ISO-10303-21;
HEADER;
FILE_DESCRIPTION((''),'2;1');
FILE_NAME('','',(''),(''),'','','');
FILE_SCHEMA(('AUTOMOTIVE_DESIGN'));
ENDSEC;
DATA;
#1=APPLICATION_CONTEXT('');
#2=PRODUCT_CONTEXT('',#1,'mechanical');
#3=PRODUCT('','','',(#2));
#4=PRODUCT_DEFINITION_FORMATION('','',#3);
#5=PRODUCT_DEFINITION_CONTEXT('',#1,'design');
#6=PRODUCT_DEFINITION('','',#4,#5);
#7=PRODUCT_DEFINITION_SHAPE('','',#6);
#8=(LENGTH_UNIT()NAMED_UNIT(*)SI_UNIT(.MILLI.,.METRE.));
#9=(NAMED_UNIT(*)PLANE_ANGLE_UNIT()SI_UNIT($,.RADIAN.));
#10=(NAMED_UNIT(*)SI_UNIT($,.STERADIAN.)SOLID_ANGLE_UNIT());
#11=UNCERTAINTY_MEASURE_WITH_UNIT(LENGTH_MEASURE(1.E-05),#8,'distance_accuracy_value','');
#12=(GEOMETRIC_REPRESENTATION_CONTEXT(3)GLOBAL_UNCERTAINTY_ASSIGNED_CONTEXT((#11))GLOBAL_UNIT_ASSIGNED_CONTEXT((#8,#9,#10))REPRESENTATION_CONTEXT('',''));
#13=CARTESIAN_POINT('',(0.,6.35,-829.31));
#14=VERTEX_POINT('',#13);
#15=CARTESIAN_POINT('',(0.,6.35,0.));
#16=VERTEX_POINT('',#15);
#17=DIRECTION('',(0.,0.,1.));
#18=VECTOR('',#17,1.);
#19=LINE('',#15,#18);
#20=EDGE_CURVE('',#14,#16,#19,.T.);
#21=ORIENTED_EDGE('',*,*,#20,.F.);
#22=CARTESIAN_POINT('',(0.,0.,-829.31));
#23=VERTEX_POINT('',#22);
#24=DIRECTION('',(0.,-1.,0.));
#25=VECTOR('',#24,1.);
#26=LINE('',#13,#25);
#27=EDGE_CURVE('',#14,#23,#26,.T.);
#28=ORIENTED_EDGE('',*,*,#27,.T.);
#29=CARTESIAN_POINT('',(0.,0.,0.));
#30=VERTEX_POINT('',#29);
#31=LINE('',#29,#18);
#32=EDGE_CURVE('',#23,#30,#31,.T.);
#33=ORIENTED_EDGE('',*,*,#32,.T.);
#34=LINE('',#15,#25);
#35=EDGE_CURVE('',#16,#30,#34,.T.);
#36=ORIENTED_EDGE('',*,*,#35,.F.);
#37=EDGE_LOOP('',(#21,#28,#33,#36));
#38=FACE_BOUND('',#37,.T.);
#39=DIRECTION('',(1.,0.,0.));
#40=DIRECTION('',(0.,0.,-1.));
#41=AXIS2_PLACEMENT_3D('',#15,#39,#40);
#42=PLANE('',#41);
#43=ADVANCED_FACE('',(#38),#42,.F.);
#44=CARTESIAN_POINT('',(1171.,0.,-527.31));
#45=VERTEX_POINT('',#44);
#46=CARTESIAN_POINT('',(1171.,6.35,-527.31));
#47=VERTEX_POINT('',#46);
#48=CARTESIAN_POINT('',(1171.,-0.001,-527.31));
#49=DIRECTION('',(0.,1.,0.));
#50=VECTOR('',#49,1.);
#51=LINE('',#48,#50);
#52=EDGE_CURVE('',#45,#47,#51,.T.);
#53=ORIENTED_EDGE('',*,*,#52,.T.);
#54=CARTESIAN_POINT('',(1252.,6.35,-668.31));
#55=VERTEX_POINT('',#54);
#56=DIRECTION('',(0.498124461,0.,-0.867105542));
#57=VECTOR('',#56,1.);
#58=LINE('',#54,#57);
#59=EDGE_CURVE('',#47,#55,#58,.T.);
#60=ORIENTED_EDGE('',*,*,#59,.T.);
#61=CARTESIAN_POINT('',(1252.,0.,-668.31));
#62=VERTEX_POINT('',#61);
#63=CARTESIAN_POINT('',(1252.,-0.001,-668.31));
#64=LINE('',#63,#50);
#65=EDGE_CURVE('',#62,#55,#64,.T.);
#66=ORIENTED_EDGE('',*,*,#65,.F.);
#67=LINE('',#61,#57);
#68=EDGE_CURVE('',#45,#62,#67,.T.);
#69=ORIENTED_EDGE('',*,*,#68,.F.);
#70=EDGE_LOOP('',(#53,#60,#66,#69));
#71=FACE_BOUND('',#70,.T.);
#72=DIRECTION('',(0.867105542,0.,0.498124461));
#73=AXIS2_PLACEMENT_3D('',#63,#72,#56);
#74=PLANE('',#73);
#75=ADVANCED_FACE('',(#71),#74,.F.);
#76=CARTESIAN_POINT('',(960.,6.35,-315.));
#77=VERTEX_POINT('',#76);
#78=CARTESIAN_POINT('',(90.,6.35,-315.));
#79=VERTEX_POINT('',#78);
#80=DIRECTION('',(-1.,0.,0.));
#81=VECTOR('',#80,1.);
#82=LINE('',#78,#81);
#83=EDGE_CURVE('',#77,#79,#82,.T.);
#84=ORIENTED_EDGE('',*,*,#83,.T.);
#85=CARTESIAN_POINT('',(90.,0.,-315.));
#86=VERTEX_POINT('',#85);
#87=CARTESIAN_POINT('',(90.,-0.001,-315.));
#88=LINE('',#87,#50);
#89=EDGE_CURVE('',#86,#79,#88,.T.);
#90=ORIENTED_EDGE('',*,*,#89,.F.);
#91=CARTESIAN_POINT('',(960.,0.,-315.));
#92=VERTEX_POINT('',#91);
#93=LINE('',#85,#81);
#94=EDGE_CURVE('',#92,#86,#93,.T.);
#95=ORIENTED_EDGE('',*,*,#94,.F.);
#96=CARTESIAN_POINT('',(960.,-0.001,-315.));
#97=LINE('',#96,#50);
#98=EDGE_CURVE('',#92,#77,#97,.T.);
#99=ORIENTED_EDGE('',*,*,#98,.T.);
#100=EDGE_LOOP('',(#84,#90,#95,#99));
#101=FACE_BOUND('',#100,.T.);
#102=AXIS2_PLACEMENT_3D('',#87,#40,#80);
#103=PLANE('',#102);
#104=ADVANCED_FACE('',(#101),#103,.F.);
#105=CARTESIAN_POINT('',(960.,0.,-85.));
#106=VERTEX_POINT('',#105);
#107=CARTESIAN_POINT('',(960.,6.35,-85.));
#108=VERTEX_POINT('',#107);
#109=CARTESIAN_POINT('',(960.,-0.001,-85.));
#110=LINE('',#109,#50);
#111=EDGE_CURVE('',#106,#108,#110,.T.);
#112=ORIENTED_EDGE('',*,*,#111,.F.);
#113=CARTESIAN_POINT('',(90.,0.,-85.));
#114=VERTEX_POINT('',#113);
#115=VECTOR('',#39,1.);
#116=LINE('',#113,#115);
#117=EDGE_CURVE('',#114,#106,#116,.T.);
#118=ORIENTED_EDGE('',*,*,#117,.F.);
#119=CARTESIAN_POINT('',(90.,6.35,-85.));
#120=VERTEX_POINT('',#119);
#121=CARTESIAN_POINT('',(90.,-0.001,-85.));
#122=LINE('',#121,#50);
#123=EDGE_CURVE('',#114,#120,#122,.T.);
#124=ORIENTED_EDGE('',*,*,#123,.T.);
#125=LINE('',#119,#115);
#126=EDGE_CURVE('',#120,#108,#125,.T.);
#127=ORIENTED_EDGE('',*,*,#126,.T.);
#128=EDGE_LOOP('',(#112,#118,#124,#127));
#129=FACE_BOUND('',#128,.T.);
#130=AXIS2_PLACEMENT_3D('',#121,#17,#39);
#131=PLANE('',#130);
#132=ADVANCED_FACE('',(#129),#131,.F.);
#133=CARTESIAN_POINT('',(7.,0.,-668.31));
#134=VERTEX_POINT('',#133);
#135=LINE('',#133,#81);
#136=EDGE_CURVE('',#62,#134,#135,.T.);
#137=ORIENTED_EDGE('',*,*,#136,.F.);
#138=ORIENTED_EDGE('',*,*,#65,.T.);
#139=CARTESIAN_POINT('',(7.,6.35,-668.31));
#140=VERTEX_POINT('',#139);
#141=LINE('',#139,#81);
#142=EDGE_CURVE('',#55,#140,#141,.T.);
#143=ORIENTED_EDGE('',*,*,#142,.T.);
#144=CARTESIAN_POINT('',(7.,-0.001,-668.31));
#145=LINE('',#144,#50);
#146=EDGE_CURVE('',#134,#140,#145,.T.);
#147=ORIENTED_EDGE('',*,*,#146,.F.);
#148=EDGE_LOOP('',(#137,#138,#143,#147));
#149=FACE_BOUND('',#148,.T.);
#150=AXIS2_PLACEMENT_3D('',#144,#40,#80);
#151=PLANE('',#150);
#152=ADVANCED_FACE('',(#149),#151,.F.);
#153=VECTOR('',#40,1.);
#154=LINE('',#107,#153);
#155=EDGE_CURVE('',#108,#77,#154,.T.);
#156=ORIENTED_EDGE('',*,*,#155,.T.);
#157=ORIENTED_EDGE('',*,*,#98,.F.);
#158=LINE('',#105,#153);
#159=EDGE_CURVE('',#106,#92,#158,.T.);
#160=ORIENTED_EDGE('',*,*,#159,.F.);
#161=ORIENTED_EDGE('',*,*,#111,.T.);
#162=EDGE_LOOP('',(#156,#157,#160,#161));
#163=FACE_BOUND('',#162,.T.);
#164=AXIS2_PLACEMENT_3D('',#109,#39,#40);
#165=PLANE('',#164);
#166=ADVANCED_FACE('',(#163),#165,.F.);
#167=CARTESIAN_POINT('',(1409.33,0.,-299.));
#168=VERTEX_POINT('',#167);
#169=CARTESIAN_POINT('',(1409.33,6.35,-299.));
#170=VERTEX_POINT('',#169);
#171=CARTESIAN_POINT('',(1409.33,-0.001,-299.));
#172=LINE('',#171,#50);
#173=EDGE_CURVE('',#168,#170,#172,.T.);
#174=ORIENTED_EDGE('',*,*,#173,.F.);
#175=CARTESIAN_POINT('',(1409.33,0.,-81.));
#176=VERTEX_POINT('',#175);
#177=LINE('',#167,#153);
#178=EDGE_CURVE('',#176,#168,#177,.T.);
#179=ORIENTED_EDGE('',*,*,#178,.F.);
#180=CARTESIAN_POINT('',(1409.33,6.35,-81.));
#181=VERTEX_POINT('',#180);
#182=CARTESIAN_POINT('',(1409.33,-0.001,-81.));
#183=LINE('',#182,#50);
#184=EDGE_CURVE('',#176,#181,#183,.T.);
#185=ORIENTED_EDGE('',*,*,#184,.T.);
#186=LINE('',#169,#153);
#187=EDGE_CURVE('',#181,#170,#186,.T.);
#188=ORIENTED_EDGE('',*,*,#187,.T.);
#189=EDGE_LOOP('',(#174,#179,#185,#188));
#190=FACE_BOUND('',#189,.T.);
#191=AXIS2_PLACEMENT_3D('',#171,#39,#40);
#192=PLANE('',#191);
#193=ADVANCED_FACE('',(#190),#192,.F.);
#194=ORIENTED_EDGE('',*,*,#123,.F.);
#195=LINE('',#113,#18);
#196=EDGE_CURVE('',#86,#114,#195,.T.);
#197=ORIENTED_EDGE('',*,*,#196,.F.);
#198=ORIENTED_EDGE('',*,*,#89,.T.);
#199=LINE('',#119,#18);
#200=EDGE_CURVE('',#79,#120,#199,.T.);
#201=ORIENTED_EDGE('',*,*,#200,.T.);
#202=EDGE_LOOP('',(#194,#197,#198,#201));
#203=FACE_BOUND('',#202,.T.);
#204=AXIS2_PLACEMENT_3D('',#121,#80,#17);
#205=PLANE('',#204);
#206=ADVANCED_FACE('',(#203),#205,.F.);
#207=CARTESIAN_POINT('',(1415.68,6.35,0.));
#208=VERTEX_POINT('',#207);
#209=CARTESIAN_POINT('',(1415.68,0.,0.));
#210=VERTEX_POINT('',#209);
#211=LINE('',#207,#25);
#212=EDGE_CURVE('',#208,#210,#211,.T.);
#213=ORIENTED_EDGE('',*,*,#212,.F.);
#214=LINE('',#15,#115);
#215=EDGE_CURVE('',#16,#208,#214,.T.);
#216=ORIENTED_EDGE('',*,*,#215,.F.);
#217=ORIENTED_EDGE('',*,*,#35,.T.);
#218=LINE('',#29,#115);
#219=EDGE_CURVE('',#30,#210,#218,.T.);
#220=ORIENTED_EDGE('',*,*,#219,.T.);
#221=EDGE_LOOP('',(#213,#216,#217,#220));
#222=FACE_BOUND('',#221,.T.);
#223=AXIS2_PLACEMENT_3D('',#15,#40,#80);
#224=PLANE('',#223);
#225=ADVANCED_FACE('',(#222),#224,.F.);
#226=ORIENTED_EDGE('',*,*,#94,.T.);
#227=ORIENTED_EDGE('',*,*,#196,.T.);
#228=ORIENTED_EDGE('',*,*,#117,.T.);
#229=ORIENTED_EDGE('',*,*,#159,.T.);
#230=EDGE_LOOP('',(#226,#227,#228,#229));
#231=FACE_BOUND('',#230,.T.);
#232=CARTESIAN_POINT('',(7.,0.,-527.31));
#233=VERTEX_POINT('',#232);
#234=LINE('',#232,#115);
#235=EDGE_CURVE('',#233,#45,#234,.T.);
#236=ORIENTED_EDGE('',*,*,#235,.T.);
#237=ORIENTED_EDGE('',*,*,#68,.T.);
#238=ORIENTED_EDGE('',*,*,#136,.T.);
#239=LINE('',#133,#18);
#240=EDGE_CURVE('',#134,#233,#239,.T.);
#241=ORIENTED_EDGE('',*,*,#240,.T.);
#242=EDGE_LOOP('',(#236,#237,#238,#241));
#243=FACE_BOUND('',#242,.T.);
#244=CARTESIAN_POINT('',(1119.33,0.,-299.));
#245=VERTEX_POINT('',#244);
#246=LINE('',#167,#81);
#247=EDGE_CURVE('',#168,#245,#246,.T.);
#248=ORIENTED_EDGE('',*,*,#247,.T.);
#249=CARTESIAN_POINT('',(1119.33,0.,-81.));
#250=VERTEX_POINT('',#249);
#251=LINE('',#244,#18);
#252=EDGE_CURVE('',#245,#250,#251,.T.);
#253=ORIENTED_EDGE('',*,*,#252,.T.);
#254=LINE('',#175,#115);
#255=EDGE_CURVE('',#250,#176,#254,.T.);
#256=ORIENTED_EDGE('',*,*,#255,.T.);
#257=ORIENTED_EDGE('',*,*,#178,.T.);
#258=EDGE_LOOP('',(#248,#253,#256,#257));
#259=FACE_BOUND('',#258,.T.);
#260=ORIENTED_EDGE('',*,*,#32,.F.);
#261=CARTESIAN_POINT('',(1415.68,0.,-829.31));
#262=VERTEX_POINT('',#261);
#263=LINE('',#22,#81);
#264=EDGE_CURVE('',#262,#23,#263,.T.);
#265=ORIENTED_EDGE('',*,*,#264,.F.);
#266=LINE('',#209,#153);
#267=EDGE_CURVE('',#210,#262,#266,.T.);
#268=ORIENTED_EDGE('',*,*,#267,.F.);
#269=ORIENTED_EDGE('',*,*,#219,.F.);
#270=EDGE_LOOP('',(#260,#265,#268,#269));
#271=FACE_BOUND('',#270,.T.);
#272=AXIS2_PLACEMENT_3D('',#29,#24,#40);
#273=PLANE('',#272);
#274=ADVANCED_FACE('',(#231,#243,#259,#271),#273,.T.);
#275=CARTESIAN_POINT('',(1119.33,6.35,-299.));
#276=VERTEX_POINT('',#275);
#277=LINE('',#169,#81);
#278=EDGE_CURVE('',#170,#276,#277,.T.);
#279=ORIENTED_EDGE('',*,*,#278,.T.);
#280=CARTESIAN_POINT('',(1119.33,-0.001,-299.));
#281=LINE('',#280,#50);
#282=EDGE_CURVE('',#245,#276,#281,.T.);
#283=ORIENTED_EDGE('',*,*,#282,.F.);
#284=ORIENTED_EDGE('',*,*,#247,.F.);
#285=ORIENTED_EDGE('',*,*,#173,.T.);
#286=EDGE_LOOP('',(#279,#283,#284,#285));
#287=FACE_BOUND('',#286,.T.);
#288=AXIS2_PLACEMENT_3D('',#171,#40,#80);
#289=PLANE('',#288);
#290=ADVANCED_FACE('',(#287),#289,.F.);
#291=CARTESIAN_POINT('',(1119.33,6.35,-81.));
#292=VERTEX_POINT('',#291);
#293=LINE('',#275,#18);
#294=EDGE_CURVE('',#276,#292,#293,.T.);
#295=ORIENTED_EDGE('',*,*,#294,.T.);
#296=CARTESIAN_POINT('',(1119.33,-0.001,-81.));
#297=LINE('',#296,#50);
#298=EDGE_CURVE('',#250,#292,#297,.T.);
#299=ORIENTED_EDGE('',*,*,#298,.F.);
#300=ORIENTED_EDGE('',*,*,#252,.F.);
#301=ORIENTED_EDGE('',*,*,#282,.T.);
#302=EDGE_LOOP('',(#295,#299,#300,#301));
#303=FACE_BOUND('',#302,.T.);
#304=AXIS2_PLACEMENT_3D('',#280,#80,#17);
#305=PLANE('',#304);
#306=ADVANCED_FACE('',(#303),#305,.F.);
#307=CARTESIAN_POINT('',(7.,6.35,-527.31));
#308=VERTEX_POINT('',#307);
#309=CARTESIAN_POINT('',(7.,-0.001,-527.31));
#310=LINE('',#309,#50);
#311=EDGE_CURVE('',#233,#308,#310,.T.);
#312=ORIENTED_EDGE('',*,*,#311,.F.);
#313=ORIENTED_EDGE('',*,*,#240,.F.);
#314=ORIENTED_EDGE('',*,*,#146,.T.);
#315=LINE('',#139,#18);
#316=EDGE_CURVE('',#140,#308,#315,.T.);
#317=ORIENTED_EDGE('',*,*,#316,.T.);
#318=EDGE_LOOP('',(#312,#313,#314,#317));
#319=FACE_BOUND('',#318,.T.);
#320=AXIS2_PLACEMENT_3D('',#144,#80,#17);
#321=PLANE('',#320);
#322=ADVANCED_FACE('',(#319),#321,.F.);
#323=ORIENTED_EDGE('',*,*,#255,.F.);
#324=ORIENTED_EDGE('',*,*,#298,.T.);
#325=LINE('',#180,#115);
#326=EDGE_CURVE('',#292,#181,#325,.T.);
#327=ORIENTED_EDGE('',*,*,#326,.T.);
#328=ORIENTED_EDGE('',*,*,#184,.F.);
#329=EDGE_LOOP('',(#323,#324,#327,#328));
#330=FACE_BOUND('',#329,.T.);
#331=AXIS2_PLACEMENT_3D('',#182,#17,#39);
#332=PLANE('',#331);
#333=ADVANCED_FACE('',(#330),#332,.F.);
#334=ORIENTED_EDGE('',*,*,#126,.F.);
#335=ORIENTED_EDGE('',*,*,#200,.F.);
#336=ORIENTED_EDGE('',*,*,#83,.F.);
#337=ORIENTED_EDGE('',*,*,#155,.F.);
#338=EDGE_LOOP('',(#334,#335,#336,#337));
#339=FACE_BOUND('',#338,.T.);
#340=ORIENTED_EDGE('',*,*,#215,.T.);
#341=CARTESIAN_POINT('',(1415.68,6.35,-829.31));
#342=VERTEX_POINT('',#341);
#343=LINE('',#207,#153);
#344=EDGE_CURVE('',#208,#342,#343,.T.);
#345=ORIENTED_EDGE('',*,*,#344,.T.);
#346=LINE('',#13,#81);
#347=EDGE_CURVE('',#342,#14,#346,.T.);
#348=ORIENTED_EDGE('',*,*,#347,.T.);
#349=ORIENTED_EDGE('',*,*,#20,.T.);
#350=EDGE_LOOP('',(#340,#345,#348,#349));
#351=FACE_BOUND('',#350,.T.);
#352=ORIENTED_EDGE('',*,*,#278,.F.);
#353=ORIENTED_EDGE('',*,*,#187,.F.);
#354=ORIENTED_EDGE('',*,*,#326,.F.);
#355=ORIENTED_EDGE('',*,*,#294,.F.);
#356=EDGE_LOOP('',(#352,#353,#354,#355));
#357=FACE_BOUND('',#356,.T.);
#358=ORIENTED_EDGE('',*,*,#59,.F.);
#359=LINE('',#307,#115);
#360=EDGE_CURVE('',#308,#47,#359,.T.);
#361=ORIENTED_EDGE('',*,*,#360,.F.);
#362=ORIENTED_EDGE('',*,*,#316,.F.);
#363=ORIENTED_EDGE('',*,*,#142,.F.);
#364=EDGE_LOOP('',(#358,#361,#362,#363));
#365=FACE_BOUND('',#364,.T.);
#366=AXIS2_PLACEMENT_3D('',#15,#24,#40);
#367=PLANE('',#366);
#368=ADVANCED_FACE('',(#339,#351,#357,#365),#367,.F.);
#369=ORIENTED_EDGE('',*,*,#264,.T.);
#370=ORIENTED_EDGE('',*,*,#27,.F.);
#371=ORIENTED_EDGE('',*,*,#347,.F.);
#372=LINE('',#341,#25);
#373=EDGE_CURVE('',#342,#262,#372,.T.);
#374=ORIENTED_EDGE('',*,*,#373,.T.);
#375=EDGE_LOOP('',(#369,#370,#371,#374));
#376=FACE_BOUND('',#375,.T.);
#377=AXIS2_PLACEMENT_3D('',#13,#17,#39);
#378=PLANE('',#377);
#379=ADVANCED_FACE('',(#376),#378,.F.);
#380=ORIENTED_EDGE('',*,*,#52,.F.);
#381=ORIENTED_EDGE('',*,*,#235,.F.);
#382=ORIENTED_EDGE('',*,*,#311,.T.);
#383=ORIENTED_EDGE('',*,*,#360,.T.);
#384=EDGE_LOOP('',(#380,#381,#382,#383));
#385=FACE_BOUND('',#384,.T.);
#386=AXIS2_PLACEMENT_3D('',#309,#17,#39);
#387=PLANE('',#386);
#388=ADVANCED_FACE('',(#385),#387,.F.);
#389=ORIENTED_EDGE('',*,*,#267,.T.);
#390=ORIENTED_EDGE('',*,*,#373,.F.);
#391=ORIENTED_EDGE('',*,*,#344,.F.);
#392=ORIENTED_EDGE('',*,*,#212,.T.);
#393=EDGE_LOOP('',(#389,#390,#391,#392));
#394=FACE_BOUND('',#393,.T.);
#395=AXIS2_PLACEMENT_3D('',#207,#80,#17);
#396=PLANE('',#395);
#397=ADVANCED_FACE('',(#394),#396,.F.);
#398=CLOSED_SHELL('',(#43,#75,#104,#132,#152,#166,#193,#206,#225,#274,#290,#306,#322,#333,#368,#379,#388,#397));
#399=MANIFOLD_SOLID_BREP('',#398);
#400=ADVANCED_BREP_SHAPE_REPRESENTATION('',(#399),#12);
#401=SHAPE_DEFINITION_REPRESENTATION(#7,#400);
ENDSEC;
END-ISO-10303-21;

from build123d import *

# Parameters (mm, degrees)
SKETCH1_W           = 1415.68
SKETCH1_H           = 829.31
BOSS_EXTRUDE1_DEPTH = 6.35
CUT_EXTRUDE1_REACH  = 1642.715
SKETCH2_W           = 870
SKETCH2_H           = 230
SKETCH2_W_2         = 290
SKETCH2_H_2         = 218


with BuildPart() as part:
    # Sketch1 → Boss-Extrude1 (new body)
    with BuildSketch(Plane(origin=(0, 0, 0), x_dir=(1, 0, 0), z_dir=(0, 1, 0))):
        with Locations((707.84, 414.655)):
            Rectangle(SKETCH1_W, SKETCH1_H)
    extrude(amount=BOSS_EXTRUDE1_DEPTH)

    # Sketch2 → Cut-Extrude1 (cut, up to next)
    with BuildSketch(Plane(origin=(0, 6.35, 0), x_dir=(1, 0, 0), z_dir=(0, 1, 0)), mode=Mode.PRIVATE) as cut_extrude1_sk1:
        with Locations((525, 200)):
            Rectangle(SKETCH2_W, SKETCH2_H)
    cut_extrude1_tool1 = extrude(cut_extrude1_sk1.sketch, amount=-CUT_EXTRUDE1_REACH, mode=Mode.PRIVATE) & part.part
    # Sketch2 → Cut-Extrude1 (cut, up to next)
    with BuildSketch(Plane(origin=(0, 6.35, 0), x_dir=(1, 0, 0), z_dir=(0, 1, 0)), mode=Mode.PRIVATE) as cut_extrude1_sk2:
        Polygon((7, 668.31), (1252, 668.31), (1171, 527.31), (7, 527.31), align=None)
    cut_extrude1_tool2 = extrude(cut_extrude1_sk2.sketch, amount=-CUT_EXTRUDE1_REACH, mode=Mode.PRIVATE) & part.part
    # Sketch2 → Cut-Extrude1 (cut, up to next)
    with BuildSketch(Plane(origin=(0, 6.35, 0), x_dir=(1, 0, 0), z_dir=(0, 1, 0)), mode=Mode.PRIVATE) as cut_extrude1_sk3:
        with Locations((1264.33, 190)):
            Rectangle(SKETCH2_W_2, SKETCH2_H_2)
    cut_extrude1_tool3 = extrude(cut_extrude1_sk3.sketch, amount=-CUT_EXTRUDE1_REACH, mode=Mode.PRIVATE) & part.part
    add(cut_extrude1_tool1.solids().sort_by_distance((525, 6.35, -200))[0], mode=Mode.SUBTRACT)
    add(cut_extrude1_tool2.solids().sort_by_distance((609.476961, 6.35, -598.600162))[0], mode=Mode.SUBTRACT)
    add(cut_extrude1_tool3.solids().sort_by_distance((1264.33, 6.35, -190))[0], mode=Mode.SUBTRACT)


solid = part.part
